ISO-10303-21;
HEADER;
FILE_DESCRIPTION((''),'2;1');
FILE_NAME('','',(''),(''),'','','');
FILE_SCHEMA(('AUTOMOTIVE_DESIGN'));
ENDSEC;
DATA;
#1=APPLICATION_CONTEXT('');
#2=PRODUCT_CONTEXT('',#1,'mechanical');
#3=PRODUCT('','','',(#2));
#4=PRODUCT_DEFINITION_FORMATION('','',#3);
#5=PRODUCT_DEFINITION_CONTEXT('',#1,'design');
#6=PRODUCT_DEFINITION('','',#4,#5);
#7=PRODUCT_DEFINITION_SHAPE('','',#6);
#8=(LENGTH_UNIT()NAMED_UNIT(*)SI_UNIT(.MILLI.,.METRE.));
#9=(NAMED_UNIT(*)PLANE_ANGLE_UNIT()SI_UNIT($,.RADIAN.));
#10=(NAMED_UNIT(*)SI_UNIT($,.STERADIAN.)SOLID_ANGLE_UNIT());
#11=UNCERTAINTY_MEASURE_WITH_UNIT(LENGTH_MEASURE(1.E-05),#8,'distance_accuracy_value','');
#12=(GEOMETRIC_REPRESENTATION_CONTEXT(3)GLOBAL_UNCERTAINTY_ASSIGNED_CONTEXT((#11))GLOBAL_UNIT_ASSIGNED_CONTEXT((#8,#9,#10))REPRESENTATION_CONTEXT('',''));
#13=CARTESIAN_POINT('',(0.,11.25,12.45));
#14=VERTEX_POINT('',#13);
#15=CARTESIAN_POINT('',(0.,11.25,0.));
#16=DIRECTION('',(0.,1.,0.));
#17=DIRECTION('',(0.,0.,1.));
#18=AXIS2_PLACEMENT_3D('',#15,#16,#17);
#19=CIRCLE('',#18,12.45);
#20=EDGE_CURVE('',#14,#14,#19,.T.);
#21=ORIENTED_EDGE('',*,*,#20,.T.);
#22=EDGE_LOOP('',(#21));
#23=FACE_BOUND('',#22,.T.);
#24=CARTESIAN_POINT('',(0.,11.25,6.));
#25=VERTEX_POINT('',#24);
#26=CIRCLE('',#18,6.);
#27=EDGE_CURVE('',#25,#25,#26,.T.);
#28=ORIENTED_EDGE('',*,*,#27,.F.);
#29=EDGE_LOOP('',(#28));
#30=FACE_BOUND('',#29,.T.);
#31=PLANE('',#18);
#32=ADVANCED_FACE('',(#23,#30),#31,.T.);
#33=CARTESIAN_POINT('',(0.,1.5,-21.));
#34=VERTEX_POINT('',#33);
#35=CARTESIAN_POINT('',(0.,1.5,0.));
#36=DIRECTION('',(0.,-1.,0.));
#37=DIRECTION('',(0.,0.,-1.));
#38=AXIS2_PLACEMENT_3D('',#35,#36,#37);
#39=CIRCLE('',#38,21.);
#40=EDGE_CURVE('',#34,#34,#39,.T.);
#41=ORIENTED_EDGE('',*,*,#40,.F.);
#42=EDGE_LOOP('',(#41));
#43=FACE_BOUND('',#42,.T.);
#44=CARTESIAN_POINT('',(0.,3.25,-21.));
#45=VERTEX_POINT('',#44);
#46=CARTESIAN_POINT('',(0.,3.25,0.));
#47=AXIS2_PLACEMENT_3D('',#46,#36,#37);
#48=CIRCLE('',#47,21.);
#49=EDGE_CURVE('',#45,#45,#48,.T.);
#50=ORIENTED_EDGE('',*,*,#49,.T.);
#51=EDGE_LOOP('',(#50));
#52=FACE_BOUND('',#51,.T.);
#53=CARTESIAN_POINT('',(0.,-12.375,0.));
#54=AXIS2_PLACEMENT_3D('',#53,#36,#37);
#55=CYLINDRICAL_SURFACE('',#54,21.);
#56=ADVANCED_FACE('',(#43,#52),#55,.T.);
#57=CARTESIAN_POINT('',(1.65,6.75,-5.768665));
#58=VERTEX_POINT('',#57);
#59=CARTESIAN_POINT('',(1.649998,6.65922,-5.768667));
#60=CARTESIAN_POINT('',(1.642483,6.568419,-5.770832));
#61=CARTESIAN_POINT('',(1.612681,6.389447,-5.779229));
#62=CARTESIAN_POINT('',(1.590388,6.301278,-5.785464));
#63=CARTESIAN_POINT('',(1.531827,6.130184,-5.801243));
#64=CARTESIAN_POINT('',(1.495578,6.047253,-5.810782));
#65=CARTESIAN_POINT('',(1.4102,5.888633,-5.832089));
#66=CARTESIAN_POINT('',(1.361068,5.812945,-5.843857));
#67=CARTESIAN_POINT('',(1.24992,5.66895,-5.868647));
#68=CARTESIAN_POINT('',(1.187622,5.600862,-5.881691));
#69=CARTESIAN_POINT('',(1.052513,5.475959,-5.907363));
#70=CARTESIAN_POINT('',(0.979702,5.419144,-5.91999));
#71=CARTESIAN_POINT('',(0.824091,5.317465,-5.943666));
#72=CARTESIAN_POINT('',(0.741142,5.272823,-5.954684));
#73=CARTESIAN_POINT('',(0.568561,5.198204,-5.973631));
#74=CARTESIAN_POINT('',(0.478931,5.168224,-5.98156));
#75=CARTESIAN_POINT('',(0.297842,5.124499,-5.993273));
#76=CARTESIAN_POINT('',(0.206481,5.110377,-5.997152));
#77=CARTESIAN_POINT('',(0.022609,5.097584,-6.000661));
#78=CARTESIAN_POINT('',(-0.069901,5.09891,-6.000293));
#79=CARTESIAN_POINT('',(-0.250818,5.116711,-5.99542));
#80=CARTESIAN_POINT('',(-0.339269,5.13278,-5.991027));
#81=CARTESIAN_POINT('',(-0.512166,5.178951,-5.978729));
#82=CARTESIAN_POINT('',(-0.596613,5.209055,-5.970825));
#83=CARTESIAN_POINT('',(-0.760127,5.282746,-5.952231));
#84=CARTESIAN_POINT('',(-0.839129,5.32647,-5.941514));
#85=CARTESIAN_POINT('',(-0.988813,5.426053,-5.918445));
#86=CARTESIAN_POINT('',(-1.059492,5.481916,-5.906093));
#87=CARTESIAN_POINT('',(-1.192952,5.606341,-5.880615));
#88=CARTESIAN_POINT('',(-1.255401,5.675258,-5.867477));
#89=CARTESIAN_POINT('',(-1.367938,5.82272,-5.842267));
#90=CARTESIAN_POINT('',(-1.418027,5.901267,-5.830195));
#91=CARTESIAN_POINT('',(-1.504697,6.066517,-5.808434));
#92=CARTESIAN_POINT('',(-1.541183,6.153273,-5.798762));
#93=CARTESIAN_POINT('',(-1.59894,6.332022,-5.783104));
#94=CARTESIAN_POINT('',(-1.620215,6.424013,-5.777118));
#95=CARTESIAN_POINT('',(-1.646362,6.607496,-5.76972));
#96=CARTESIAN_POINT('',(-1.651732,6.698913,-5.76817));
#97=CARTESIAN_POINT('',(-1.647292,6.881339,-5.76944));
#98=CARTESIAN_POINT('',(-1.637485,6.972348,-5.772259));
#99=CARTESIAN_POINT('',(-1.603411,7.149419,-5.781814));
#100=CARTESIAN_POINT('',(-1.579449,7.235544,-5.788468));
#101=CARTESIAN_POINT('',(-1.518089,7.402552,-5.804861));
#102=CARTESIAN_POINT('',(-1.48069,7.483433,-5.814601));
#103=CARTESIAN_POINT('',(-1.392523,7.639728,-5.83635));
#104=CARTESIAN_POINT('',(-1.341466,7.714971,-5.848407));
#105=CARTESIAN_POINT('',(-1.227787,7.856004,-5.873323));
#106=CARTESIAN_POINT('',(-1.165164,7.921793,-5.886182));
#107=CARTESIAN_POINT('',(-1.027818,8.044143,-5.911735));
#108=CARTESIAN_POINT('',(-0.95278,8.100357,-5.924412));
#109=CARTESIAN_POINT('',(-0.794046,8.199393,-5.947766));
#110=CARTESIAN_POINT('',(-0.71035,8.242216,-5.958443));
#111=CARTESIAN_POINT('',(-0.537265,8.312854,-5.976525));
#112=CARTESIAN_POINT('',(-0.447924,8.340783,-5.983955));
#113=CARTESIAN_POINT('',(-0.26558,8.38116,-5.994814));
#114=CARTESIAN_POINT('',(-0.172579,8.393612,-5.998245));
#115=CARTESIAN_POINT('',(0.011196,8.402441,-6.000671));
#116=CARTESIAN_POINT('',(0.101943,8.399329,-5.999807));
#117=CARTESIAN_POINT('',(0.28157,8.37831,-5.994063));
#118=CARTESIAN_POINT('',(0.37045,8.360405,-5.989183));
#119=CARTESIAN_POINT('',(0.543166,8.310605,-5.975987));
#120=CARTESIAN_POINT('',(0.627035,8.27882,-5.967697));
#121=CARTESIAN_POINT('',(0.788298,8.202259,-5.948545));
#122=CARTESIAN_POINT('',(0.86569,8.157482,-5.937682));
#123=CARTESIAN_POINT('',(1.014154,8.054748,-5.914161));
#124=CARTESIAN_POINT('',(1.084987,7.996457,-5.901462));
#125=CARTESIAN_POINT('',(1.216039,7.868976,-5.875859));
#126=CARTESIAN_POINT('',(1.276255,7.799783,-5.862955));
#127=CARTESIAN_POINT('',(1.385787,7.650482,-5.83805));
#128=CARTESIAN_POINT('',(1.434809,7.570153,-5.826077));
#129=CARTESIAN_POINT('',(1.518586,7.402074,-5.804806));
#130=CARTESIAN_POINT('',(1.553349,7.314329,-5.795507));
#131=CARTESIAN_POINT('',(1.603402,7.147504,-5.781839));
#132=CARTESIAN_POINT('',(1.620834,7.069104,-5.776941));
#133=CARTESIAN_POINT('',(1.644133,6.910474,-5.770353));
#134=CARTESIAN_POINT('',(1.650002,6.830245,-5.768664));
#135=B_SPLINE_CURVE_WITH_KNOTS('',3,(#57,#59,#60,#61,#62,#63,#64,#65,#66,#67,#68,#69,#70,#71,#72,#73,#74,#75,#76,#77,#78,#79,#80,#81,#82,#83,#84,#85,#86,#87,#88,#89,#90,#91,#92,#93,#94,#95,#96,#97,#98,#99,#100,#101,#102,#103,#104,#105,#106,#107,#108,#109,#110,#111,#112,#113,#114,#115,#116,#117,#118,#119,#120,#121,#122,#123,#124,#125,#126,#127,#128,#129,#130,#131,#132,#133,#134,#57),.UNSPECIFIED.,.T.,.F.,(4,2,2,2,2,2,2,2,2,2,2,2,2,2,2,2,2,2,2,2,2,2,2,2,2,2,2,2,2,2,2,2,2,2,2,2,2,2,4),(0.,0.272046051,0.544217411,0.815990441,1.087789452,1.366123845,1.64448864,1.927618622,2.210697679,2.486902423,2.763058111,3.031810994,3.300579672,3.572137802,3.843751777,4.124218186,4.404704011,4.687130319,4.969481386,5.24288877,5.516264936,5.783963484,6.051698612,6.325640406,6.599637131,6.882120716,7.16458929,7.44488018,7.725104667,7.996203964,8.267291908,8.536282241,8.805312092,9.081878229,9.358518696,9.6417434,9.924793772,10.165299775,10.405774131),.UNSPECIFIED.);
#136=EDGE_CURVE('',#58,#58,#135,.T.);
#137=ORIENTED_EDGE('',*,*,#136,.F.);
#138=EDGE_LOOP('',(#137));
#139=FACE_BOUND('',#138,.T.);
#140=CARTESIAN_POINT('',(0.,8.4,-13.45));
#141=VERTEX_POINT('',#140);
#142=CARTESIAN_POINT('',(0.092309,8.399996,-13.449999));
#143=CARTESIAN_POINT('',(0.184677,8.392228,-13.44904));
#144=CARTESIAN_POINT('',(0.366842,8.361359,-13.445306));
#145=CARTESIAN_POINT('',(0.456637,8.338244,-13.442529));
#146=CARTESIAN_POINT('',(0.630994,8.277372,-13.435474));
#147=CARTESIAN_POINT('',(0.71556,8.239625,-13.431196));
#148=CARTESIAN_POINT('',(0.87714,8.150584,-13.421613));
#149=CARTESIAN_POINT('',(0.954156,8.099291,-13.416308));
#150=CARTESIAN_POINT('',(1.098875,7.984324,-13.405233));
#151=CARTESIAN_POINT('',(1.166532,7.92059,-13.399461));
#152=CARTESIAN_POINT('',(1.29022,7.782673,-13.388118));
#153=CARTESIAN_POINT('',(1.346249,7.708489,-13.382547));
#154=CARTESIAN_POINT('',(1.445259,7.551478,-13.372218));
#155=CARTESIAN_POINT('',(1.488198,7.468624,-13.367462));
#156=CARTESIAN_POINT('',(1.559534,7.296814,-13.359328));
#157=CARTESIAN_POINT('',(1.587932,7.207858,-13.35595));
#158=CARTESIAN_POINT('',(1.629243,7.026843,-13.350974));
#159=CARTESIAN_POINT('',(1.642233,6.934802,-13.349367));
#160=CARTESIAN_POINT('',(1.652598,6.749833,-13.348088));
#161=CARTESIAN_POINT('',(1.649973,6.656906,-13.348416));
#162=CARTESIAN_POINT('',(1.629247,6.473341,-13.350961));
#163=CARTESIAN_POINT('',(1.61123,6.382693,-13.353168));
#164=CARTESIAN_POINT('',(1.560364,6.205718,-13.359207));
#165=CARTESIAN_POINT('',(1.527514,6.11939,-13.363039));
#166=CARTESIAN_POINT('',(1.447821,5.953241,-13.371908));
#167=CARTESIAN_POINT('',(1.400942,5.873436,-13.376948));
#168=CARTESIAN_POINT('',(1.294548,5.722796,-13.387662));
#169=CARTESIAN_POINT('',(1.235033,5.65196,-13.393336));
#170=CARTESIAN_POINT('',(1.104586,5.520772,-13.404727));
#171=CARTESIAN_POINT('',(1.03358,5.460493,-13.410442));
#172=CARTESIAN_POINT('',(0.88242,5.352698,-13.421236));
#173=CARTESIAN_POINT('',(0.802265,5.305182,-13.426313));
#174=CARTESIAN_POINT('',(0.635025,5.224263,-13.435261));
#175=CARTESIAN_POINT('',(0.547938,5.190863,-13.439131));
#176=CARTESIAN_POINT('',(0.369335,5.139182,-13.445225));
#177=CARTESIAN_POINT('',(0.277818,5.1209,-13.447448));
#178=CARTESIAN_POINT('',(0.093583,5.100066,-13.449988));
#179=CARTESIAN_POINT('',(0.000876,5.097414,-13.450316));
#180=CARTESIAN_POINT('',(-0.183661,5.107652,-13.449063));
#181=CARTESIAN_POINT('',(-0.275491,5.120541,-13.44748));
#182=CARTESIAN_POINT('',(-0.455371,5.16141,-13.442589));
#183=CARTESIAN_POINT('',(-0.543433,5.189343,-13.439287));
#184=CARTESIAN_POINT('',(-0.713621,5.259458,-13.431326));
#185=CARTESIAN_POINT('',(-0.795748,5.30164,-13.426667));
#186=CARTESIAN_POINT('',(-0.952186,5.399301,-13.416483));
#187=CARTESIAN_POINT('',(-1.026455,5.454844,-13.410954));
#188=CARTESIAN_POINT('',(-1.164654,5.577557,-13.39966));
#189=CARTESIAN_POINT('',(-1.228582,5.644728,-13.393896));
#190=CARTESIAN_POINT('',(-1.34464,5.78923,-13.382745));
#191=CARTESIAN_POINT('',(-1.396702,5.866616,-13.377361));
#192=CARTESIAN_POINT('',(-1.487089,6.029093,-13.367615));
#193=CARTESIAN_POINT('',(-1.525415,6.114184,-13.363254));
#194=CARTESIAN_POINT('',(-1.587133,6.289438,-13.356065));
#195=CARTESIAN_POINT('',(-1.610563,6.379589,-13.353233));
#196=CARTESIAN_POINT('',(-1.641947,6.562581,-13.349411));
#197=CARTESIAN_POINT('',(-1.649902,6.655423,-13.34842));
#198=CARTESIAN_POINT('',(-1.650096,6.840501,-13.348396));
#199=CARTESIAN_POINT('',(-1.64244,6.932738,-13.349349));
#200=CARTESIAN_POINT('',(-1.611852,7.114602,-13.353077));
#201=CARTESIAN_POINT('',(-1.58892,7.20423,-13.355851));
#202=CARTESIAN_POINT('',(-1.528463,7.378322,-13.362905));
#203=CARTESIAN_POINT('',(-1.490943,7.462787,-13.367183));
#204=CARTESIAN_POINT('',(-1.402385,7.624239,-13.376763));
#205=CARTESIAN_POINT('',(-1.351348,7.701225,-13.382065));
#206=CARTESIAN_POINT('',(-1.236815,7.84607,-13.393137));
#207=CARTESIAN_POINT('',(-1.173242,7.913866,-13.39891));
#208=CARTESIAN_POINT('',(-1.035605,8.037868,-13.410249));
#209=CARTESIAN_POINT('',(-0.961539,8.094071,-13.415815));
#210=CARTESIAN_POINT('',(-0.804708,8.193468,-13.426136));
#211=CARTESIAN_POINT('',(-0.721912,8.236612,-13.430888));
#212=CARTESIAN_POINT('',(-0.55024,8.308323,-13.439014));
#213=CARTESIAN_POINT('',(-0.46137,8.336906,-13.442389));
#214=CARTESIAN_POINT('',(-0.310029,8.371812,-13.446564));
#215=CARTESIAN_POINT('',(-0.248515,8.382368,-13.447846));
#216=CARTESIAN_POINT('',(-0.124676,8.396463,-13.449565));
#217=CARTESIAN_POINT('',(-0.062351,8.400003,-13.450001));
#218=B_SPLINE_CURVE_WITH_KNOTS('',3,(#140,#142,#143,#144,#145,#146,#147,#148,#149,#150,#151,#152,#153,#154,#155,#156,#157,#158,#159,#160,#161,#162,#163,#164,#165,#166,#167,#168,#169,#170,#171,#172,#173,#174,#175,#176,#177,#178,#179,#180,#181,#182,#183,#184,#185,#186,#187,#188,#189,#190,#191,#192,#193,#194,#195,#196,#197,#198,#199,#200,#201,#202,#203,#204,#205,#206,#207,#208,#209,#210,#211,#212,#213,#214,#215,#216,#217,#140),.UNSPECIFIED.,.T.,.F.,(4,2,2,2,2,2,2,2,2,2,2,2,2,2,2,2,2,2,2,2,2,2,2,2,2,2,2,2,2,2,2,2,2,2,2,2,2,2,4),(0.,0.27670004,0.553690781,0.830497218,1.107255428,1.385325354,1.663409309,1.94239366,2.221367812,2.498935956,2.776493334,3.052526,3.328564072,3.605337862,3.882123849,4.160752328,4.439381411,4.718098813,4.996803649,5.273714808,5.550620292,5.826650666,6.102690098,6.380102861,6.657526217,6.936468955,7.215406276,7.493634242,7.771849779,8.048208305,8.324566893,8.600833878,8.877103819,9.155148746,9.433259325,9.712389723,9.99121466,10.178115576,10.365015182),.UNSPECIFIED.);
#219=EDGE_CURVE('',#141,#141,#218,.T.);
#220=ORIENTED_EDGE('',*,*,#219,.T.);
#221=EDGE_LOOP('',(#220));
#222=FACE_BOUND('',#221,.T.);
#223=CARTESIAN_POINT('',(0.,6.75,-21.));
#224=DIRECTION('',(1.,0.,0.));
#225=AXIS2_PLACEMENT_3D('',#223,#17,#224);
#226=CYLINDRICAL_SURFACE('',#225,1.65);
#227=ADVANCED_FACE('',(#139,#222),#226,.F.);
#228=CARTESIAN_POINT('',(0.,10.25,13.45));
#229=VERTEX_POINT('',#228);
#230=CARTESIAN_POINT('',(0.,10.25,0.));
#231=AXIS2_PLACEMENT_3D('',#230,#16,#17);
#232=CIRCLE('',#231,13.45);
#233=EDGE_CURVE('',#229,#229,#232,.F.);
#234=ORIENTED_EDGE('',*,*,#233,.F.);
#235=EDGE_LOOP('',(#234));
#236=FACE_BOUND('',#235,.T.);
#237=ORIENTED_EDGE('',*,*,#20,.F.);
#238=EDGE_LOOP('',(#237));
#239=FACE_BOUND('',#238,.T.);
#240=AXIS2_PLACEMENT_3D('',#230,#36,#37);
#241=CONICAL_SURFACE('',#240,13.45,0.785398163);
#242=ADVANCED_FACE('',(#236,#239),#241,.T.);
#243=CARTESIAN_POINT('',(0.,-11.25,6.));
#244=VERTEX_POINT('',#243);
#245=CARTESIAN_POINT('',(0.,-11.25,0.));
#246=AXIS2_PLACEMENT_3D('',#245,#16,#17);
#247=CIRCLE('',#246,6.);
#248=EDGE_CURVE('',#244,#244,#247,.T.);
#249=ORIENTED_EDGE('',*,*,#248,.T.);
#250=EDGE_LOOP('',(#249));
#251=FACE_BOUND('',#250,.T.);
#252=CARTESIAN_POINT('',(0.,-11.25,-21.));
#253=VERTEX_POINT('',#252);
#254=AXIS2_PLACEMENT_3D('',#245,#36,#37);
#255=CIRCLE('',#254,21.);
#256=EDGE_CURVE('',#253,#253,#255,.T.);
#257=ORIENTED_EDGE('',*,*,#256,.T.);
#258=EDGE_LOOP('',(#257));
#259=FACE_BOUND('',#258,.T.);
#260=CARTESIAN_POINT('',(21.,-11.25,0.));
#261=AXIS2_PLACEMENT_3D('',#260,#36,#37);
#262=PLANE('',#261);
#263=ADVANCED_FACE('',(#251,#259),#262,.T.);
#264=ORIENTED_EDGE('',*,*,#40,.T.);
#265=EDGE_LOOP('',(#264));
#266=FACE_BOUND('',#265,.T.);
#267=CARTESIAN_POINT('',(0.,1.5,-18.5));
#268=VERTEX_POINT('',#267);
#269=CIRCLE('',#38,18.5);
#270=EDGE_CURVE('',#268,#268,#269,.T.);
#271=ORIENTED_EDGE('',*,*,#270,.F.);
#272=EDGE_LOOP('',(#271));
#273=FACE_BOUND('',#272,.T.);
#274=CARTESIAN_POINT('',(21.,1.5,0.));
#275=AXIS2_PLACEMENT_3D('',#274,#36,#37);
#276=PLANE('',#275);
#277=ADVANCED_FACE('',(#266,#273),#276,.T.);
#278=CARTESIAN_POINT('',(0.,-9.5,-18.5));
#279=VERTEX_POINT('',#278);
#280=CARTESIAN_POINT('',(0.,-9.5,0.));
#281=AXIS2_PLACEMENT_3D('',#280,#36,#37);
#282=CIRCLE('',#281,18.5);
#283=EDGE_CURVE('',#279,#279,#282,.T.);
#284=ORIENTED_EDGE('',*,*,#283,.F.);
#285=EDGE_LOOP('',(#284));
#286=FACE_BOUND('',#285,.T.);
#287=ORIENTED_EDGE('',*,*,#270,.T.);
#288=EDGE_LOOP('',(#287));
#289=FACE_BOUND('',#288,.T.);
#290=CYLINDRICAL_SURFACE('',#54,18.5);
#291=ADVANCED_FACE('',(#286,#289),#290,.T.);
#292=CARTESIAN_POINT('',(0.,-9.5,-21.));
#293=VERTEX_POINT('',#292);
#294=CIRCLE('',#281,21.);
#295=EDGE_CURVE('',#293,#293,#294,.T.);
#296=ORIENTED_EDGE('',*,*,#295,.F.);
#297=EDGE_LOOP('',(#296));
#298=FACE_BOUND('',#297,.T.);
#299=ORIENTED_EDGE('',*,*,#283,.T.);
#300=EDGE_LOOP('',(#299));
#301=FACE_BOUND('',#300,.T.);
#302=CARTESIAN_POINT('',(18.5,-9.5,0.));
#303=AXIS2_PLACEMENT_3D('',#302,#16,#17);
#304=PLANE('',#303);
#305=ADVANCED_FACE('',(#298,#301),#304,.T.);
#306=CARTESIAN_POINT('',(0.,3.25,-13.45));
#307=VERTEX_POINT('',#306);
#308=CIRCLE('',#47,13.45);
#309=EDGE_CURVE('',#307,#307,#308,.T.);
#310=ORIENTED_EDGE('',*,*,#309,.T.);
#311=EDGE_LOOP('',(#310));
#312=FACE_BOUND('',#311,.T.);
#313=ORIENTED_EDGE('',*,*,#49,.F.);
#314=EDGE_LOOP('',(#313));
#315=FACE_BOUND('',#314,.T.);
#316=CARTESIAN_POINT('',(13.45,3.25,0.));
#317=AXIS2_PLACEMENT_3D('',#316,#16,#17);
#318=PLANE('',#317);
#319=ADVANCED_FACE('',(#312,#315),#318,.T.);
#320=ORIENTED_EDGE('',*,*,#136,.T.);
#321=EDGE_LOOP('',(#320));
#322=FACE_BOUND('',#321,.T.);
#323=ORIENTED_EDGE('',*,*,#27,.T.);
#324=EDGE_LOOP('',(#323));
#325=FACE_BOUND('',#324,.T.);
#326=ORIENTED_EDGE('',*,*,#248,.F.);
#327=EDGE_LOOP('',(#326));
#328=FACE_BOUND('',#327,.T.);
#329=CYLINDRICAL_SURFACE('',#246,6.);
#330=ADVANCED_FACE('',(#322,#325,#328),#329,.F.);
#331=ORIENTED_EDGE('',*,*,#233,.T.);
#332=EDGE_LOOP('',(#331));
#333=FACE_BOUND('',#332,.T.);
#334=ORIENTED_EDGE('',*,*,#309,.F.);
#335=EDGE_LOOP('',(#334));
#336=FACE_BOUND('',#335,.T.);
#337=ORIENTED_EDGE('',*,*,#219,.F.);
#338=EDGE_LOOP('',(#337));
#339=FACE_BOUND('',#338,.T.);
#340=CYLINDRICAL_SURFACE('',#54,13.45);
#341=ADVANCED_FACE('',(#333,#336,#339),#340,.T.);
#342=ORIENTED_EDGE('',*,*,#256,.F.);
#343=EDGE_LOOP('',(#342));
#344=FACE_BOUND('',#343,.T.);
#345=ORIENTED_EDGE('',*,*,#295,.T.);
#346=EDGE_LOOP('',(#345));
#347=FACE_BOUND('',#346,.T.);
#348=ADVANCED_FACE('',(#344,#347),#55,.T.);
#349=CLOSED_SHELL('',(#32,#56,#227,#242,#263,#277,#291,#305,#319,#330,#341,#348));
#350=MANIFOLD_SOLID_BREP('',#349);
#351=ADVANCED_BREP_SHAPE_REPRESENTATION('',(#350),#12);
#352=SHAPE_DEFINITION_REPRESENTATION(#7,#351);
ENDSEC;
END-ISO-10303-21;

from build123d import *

# Parameters (mm, degrees)
SMUSSO1_SIZE             = 1
SCHIZZO2_R               = 6
TAGLIO_ESTRUSIONE1_DEPTH = 38.259227045
SCHIZZO3_R               = 1.65
TAGLIO_ESTRUSIONE2_DEPTH = 32.75787304


with BuildPart() as part:
    # Schizzo1 → Rivoluzione1 (revolve)
    with BuildSketch(Plane.XY, mode=Mode.PRIVATE) as rivoluzione1_sk:
        Polygon((0, 11.25), (13.45, 11.25), (13.45, 3.25), (21, 3.25), (21, 1.5), (18.5, 1.5), (18.5, -9.5), (21, -9.5), (21, -11.25), (0, -11.25), align=None)
    revolve(rivoluzione1_sk.sketch.rotate(Axis((0, -12.375, 0), (0, 1, 0)), 90), axis=Axis((0, -12.375, 0), (0, 1, 0)))

    # Smusso1
    smusso1_edges = [part.edges().sort_by_distance(p)[0] for p in [
        (0, 11.25, 13.45),
    ]]
    chamfer(smusso1_edges, length=SMUSSO1_SIZE)

    # Schizzo2 → Taglio-Estrusione1 (cut, through all)
    with BuildSketch(Plane(origin=(0, 11.25, 0), x_dir=(1, 0, 0), z_dir=(0, 1, 0))):
        with Locations(Location((0, 0, 0), (0, 0, 270))):
            Circle(SCHIZZO2_R)
    extrude(amount=-TAGLIO_ESTRUSIONE1_DEPTH, mode=Mode.SUBTRACT)

    # Schizzo3 → Taglio-Estrusione2 (cut, through all)
    with BuildSketch(Plane.XY):
        with Locations((0, 6.75)):
            Circle(SCHIZZO3_R)
    extrude(amount=-TAGLIO_ESTRUSIONE2_DEPTH, mode=Mode.SUBTRACT)


solid = part.part
